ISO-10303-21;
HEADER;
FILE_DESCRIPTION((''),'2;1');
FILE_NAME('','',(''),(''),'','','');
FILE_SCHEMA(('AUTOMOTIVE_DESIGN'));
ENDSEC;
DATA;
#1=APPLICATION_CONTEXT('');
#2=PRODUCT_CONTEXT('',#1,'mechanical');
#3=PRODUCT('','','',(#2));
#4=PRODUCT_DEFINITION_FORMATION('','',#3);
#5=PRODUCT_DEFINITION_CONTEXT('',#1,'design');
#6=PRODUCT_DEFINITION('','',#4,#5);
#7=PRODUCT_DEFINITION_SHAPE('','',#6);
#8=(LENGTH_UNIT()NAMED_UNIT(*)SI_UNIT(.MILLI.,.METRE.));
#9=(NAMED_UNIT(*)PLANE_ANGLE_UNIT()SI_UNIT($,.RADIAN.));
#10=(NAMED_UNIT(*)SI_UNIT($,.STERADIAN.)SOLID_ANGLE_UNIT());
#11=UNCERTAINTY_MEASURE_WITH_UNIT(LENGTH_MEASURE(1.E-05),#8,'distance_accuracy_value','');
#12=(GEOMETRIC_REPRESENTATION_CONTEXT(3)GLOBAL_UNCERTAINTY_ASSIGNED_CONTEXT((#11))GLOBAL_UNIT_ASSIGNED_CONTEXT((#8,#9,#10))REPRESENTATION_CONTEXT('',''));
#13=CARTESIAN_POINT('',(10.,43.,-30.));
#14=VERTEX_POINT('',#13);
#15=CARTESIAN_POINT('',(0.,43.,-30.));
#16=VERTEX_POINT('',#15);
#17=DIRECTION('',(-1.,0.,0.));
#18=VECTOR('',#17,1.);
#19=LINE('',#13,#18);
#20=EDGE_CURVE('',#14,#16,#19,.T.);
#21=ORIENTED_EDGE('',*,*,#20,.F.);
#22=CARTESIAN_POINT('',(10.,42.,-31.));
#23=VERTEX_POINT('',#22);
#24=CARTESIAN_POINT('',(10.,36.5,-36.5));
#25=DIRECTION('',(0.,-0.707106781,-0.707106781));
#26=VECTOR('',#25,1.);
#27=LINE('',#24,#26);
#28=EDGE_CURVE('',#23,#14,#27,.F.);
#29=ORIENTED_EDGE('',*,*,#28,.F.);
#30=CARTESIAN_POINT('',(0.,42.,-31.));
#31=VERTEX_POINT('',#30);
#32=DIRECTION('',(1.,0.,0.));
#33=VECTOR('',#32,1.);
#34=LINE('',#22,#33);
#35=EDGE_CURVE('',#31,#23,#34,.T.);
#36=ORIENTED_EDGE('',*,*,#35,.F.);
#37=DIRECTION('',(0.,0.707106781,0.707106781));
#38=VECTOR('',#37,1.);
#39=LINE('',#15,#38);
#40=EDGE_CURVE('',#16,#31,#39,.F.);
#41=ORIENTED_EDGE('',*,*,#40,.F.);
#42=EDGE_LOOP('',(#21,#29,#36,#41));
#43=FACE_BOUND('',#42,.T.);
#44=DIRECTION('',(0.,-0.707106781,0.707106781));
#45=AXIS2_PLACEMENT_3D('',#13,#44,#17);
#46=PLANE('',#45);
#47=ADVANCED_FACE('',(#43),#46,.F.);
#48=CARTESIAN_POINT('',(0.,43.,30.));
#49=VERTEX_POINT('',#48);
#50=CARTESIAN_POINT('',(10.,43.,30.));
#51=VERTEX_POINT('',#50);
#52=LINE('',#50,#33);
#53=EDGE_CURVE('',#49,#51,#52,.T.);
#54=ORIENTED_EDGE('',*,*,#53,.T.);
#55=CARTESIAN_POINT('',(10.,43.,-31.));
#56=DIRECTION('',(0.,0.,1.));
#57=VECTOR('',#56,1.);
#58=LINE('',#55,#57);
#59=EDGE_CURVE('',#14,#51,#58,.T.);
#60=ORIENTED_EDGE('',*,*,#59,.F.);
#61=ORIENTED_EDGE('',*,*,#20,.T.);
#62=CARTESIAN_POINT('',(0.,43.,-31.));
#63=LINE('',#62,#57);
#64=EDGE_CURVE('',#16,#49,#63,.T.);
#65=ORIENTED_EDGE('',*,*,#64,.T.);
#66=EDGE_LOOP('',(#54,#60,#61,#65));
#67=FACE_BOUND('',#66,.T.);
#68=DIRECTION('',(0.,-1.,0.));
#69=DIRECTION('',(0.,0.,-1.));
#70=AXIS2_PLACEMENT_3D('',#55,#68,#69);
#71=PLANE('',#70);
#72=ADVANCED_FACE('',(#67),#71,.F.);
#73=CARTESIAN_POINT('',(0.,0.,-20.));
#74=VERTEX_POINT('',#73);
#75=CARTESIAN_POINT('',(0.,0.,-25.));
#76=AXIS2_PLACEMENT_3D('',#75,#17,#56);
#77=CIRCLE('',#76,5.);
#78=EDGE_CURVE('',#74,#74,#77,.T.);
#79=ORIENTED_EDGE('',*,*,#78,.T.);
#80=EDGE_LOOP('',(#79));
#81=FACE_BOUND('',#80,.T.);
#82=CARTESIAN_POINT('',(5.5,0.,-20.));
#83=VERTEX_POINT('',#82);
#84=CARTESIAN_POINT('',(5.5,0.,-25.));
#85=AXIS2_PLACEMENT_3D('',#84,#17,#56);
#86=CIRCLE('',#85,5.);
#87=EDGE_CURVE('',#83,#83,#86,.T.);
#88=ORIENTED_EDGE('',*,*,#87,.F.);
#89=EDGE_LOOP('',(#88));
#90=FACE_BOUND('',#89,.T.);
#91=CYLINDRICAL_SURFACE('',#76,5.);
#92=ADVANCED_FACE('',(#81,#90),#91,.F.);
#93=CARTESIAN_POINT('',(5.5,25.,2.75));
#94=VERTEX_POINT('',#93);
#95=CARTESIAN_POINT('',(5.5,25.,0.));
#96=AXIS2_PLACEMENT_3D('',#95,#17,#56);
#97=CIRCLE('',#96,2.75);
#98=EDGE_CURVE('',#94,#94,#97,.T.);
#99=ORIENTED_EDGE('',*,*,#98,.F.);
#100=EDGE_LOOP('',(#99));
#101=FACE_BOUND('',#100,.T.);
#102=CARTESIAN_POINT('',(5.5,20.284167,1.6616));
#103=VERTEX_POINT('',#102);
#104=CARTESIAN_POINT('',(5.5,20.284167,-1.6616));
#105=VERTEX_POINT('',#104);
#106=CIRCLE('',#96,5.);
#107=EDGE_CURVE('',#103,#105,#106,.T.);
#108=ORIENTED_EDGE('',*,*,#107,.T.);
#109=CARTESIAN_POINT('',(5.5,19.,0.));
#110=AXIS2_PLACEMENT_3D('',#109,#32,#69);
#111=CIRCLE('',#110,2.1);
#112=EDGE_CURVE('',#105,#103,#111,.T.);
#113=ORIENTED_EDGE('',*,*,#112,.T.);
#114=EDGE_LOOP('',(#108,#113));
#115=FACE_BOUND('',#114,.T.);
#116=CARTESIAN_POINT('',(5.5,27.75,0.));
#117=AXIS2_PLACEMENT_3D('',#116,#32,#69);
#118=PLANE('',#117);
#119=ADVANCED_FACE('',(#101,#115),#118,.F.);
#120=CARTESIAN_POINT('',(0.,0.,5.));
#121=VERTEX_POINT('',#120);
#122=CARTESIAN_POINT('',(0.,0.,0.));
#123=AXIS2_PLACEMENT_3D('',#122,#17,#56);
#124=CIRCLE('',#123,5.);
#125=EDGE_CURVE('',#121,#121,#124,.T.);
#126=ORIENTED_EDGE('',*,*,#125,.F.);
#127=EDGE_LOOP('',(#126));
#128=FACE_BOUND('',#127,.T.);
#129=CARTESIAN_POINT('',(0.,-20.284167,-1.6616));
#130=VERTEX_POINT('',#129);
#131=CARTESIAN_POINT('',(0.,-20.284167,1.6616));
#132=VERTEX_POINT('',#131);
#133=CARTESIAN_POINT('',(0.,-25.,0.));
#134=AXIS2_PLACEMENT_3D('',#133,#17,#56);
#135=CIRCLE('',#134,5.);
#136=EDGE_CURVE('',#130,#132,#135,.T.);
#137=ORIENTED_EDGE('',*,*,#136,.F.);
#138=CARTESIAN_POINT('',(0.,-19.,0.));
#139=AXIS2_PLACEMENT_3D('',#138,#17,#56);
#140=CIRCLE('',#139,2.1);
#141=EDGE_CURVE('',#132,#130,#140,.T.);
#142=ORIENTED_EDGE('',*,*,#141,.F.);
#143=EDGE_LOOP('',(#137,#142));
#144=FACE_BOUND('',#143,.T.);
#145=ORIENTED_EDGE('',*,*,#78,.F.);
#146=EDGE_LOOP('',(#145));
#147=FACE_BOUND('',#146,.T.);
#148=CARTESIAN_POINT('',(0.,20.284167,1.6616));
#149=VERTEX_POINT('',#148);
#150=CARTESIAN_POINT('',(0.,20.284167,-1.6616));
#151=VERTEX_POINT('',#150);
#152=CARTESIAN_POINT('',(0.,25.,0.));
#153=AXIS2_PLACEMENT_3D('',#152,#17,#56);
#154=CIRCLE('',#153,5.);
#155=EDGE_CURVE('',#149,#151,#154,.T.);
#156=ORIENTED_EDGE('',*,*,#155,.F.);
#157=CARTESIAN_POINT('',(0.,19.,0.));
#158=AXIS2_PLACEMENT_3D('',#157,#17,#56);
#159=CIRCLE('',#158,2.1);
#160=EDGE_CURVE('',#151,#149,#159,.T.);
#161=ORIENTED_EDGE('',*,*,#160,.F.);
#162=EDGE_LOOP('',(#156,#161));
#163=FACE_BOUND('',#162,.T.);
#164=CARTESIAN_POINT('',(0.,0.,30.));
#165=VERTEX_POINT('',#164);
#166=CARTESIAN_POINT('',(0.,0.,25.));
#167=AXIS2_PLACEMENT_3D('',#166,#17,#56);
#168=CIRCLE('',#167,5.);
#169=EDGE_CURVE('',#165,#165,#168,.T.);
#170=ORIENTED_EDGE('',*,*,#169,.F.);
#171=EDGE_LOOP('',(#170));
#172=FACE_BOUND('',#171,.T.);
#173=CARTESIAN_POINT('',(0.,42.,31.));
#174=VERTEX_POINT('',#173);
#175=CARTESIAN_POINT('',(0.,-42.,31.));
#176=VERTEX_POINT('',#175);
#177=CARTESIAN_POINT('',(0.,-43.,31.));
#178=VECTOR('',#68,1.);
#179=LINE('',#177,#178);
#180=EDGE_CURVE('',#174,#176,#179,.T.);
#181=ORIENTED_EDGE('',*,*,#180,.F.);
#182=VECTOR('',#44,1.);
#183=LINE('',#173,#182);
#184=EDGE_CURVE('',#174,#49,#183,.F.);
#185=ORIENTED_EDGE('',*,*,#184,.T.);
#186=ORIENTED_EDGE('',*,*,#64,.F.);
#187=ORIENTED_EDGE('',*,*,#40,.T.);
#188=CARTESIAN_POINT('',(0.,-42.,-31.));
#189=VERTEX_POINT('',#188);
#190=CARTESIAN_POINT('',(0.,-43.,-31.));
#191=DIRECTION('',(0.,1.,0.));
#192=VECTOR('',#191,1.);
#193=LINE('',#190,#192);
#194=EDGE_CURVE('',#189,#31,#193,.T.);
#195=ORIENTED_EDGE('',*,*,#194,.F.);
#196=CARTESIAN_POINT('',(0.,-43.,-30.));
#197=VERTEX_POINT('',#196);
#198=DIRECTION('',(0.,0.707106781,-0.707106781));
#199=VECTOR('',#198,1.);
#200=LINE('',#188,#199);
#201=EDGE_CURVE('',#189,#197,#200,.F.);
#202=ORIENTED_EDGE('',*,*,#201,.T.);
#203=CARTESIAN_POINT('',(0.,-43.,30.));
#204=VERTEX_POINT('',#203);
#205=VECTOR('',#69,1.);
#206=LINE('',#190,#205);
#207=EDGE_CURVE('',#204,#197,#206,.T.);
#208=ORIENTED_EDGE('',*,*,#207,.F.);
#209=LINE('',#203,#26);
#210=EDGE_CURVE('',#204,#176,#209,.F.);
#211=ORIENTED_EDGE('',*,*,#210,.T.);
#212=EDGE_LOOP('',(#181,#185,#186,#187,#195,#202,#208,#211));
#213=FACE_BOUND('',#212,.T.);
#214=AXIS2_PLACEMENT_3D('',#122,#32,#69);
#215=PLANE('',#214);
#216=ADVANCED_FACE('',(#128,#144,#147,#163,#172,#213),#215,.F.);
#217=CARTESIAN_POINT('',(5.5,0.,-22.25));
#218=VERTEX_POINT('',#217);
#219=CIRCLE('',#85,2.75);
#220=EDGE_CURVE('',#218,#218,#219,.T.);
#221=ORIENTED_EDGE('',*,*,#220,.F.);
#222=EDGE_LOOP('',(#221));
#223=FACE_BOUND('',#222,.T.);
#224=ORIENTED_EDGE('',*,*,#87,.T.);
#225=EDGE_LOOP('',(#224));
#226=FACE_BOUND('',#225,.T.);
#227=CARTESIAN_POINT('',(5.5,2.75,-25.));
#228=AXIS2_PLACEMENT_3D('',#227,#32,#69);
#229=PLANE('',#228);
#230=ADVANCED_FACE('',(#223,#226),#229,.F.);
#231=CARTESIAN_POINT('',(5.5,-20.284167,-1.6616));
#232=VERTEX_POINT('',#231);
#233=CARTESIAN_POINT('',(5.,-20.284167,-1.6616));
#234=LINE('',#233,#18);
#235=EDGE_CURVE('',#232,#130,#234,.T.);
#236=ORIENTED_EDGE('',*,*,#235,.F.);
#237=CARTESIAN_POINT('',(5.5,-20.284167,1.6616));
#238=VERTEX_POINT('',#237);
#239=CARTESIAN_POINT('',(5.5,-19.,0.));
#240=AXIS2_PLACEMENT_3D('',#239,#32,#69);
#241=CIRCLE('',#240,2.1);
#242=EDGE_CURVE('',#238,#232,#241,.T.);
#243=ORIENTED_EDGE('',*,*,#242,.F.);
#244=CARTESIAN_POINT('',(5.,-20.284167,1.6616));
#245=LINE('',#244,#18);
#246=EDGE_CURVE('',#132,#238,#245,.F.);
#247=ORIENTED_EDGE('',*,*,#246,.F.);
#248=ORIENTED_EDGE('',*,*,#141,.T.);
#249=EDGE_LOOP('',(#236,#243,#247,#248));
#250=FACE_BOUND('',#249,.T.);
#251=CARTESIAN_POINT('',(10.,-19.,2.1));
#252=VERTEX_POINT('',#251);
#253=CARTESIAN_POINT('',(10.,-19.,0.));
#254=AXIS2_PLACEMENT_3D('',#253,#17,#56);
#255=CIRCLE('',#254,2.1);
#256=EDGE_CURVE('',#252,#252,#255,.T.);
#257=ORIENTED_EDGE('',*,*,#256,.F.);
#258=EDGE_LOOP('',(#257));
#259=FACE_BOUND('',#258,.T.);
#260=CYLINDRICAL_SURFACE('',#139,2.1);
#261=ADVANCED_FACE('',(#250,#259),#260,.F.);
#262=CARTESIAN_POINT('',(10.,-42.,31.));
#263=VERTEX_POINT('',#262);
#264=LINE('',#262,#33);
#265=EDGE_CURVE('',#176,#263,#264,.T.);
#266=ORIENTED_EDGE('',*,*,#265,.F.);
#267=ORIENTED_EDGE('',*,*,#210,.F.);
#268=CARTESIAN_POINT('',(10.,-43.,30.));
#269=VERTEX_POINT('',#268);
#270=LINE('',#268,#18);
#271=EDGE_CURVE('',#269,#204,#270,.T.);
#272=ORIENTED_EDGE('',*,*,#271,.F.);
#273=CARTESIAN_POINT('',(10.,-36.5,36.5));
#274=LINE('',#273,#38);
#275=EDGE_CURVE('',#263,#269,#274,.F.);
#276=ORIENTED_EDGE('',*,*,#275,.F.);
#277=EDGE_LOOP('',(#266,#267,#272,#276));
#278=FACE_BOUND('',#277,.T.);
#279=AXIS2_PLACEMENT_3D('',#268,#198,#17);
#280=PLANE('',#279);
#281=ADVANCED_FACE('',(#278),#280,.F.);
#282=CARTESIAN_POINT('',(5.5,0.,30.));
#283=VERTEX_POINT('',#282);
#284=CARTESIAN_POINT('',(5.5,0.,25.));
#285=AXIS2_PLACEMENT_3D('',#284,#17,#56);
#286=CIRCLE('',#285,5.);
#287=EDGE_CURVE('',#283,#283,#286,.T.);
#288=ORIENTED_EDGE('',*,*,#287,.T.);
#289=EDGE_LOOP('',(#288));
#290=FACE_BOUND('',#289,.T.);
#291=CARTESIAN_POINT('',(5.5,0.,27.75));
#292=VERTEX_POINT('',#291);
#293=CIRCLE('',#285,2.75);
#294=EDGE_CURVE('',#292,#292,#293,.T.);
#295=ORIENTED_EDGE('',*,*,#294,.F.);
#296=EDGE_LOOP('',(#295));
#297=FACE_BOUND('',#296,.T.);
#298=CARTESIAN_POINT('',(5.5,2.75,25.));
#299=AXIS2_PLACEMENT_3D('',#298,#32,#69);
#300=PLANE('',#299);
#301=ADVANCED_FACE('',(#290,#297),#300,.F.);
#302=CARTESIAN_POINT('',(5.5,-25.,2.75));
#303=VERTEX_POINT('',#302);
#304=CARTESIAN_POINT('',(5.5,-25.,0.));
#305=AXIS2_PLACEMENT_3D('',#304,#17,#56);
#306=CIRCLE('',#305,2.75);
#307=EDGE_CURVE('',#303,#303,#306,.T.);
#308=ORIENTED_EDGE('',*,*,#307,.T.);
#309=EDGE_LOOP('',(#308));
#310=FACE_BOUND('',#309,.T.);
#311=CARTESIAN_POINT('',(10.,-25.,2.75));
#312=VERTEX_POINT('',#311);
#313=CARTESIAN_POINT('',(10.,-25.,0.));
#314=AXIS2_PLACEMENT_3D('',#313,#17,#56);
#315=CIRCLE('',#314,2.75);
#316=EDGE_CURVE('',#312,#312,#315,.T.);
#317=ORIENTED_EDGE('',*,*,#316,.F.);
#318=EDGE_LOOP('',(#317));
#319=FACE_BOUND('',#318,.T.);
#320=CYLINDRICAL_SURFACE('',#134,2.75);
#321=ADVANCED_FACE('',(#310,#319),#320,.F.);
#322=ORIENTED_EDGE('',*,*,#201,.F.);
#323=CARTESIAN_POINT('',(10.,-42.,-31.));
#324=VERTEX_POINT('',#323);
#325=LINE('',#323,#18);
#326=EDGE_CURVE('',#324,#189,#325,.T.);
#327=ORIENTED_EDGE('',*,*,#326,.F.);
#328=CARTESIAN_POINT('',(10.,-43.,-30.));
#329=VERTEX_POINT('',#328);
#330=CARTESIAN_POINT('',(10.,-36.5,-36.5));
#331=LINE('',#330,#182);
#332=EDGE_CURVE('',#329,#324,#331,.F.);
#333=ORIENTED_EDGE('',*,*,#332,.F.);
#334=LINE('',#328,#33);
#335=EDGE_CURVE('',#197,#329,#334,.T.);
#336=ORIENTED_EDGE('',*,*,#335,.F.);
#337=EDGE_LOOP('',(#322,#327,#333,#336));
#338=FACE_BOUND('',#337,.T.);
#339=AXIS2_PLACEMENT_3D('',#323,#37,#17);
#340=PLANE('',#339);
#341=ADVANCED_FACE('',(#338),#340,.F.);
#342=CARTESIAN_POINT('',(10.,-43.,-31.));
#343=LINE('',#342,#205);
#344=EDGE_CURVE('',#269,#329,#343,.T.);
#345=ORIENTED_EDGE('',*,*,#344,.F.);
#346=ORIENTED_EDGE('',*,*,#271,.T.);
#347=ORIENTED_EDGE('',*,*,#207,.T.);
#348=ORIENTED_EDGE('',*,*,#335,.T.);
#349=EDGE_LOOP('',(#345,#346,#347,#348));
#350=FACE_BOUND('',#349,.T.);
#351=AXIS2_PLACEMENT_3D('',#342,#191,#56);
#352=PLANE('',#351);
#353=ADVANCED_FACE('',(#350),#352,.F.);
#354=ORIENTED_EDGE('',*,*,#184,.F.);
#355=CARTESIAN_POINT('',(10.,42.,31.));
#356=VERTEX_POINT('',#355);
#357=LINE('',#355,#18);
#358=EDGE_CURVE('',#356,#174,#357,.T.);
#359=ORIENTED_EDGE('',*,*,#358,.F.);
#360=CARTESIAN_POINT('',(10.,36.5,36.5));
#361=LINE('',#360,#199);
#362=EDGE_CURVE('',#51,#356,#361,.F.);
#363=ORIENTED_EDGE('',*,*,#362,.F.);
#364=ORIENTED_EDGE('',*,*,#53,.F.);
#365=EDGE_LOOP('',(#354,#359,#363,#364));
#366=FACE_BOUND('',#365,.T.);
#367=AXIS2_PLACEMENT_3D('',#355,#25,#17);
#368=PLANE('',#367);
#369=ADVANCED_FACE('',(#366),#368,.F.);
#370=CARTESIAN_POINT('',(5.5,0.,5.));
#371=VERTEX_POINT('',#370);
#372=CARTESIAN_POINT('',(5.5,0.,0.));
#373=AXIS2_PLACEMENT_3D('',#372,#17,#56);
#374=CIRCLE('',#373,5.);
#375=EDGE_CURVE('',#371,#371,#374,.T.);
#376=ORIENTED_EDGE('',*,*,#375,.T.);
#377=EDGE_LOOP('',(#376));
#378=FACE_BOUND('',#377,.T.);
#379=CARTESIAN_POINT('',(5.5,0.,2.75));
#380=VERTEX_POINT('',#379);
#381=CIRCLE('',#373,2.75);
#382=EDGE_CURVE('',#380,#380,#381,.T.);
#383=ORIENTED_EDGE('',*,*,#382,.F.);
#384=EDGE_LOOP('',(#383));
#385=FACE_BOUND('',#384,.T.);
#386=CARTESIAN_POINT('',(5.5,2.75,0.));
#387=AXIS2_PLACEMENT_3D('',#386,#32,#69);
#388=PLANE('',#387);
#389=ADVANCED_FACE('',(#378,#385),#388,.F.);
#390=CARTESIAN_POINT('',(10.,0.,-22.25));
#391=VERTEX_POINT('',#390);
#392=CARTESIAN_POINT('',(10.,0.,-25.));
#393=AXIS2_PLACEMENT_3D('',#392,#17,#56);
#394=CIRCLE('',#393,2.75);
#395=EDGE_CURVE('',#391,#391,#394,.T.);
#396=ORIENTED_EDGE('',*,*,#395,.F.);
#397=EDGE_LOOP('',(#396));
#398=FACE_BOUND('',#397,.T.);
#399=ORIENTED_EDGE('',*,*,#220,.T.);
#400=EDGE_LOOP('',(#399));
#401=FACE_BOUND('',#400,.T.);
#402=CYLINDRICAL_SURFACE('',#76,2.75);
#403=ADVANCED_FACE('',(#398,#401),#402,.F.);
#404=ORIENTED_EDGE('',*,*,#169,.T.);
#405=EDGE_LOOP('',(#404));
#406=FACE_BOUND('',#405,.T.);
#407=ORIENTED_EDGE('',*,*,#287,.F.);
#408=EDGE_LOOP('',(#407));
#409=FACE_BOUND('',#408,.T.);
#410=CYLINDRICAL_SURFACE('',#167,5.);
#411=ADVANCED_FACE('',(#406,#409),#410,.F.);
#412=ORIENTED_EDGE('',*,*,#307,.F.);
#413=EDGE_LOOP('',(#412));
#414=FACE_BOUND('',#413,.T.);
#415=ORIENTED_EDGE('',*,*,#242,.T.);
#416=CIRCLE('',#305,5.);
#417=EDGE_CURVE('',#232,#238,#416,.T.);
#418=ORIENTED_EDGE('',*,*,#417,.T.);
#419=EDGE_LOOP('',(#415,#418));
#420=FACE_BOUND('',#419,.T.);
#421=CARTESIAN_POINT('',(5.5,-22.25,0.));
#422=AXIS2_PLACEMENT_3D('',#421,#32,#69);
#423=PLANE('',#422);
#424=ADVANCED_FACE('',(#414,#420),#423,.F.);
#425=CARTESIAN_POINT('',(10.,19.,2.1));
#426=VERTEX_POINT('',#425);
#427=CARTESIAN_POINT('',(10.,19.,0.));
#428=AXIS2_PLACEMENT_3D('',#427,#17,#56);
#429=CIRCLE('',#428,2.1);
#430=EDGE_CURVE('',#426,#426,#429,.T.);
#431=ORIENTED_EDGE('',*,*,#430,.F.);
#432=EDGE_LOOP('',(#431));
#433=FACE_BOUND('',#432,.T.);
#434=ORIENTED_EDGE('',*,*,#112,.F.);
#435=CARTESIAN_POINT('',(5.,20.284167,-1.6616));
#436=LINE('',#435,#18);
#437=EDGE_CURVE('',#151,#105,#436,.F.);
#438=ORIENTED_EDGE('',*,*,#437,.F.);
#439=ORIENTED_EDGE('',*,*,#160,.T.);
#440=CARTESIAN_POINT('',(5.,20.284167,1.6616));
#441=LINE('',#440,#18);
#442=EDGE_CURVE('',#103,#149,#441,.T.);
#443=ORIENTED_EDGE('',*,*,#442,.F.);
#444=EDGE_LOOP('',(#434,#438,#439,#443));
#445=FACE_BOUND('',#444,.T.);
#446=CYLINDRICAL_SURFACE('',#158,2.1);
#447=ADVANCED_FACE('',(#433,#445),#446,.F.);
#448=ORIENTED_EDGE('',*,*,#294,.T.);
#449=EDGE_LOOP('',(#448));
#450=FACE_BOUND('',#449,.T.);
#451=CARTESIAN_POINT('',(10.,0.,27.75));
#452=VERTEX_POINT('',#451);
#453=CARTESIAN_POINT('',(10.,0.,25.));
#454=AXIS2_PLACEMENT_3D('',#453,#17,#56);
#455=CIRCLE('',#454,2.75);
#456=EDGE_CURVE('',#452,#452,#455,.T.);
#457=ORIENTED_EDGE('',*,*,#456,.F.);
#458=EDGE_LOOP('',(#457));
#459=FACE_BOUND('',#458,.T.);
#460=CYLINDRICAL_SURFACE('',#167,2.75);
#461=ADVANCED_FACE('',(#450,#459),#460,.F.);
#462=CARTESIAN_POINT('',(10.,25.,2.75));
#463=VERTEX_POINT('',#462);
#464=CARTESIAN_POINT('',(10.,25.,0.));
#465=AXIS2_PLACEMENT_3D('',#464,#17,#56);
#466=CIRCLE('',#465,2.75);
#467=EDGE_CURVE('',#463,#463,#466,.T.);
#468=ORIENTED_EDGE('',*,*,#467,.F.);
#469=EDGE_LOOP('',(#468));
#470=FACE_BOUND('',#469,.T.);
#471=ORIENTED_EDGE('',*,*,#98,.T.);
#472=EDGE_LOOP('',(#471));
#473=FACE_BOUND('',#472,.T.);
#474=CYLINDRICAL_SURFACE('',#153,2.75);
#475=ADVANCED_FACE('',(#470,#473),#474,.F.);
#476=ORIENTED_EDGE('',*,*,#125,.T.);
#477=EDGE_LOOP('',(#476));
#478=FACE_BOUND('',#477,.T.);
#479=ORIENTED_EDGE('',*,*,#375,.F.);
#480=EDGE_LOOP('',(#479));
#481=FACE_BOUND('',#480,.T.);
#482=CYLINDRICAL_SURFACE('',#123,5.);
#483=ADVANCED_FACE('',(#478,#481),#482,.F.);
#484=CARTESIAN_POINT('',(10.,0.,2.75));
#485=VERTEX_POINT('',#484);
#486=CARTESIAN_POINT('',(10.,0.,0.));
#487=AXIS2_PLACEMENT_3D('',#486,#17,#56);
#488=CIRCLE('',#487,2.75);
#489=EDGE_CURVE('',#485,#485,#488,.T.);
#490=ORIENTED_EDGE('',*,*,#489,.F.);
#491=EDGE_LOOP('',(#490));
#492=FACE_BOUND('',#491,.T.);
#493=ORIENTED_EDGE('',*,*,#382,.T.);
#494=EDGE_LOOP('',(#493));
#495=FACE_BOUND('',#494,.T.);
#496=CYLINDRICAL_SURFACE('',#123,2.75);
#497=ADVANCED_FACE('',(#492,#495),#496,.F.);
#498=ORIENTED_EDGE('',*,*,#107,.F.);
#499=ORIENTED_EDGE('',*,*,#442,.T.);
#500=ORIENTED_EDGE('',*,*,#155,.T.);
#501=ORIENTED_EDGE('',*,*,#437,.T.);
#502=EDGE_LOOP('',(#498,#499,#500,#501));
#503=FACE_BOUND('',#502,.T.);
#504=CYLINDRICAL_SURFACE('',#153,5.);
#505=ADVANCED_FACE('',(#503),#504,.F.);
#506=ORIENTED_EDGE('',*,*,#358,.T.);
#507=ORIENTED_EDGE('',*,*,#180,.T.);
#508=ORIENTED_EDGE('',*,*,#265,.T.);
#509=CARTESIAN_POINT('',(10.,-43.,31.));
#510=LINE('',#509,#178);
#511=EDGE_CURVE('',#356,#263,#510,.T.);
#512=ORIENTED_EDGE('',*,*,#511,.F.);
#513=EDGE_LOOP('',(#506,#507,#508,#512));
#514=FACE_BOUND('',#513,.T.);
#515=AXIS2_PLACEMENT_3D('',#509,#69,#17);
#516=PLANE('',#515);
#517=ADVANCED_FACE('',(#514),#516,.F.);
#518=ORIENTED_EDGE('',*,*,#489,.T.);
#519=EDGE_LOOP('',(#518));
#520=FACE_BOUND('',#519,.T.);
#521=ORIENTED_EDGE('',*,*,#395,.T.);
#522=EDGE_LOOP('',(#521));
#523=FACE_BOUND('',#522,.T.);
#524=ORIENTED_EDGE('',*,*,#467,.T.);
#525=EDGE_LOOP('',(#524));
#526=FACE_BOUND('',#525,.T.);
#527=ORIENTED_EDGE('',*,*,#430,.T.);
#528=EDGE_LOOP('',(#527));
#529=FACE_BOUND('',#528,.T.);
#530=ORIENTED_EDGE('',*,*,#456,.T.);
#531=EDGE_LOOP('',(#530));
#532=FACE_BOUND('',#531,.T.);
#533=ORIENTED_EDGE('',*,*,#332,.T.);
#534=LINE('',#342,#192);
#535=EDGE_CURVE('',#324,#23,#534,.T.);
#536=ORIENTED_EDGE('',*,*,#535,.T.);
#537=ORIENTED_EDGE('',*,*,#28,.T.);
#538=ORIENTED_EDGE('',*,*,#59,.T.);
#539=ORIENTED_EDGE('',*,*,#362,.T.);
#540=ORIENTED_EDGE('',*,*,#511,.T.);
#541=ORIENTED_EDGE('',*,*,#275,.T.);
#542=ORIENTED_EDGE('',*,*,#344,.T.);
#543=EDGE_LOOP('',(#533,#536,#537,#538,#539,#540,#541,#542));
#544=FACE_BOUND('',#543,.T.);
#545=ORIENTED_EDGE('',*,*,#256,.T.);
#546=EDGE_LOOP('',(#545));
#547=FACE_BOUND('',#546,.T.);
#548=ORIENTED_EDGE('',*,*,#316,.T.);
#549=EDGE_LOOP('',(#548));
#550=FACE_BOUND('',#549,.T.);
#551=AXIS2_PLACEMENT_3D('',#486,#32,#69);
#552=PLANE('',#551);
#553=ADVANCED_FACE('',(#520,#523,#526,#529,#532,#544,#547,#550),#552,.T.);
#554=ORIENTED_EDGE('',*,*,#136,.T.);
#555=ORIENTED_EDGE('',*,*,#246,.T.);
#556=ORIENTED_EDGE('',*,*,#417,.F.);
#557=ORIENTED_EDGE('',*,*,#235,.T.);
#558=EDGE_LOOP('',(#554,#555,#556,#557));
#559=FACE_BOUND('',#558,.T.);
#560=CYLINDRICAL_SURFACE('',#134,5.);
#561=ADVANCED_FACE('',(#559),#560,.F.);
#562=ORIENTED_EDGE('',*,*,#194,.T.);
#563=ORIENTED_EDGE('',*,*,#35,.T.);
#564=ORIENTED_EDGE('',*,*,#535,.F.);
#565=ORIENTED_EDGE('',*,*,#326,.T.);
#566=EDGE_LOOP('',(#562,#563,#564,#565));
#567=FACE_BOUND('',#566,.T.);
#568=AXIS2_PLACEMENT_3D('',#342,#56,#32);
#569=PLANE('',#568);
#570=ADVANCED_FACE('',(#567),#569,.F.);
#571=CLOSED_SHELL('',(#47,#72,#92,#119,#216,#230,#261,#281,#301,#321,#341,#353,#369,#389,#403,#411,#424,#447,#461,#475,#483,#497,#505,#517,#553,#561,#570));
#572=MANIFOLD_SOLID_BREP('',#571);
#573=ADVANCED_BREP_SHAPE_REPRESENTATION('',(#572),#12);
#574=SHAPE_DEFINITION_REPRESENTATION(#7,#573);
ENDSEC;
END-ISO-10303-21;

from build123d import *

# Parameters (mm, degrees)
SKETCH_1_W                = 62
SKETCH_1_H                = 86
EXTRUDE_1_DEPTH           = 10
CHAMFER_1_SIZE            = 1
HOLE_WIZARD_1_D           = 5.5
HOLE_WIZARD_1_CBORE_D     = 10
HOLE_WIZARD_1_CBORE_DEPTH = 5.5
HOLE_WIZARD_M5_1_D        = 4.2


with BuildPart() as part:
    # 草图1 → 凸台-拉伸1 (new body)
    with BuildSketch(Plane(origin=(0, 0, 0), x_dir=(0, 0, -1), z_dir=(1, 0, 0))):
        Rectangle(SKETCH_1_W, SKETCH_1_H)
    extrude(amount=EXTRUDE_1_DEPTH)

    # 倒角1
    chamfer_1_edges = [part.edges().sort_by_distance(p)[0] for p in [
        (5, 43, 31),
        (5, 43, -31),
        (5, -43, -31),
        (5, -43, 31),
    ]]
    chamfer(chamfer_1_edges, length=CHAMFER_1_SIZE)

    # 打孔尺寸(%根据)内六角圆柱头螺钉的类型1 (through all)
    with Locations(Plane.ZY):
        with Locations((25, 0), (0, -25), (-25, 0), (0, 25), (0, 0)):
            CounterBoreHole(HOLE_WIZARD_1_D / 2, HOLE_WIZARD_1_CBORE_D / 2, HOLE_WIZARD_1_CBORE_DEPTH)

    # M5 螺纹孔1 (through all)
    with Locations(Plane.ZY):
        with Locations((0, 19), (0, -19)):
            Hole(HOLE_WIZARD_M5_1_D / 2)


solid = part.part
